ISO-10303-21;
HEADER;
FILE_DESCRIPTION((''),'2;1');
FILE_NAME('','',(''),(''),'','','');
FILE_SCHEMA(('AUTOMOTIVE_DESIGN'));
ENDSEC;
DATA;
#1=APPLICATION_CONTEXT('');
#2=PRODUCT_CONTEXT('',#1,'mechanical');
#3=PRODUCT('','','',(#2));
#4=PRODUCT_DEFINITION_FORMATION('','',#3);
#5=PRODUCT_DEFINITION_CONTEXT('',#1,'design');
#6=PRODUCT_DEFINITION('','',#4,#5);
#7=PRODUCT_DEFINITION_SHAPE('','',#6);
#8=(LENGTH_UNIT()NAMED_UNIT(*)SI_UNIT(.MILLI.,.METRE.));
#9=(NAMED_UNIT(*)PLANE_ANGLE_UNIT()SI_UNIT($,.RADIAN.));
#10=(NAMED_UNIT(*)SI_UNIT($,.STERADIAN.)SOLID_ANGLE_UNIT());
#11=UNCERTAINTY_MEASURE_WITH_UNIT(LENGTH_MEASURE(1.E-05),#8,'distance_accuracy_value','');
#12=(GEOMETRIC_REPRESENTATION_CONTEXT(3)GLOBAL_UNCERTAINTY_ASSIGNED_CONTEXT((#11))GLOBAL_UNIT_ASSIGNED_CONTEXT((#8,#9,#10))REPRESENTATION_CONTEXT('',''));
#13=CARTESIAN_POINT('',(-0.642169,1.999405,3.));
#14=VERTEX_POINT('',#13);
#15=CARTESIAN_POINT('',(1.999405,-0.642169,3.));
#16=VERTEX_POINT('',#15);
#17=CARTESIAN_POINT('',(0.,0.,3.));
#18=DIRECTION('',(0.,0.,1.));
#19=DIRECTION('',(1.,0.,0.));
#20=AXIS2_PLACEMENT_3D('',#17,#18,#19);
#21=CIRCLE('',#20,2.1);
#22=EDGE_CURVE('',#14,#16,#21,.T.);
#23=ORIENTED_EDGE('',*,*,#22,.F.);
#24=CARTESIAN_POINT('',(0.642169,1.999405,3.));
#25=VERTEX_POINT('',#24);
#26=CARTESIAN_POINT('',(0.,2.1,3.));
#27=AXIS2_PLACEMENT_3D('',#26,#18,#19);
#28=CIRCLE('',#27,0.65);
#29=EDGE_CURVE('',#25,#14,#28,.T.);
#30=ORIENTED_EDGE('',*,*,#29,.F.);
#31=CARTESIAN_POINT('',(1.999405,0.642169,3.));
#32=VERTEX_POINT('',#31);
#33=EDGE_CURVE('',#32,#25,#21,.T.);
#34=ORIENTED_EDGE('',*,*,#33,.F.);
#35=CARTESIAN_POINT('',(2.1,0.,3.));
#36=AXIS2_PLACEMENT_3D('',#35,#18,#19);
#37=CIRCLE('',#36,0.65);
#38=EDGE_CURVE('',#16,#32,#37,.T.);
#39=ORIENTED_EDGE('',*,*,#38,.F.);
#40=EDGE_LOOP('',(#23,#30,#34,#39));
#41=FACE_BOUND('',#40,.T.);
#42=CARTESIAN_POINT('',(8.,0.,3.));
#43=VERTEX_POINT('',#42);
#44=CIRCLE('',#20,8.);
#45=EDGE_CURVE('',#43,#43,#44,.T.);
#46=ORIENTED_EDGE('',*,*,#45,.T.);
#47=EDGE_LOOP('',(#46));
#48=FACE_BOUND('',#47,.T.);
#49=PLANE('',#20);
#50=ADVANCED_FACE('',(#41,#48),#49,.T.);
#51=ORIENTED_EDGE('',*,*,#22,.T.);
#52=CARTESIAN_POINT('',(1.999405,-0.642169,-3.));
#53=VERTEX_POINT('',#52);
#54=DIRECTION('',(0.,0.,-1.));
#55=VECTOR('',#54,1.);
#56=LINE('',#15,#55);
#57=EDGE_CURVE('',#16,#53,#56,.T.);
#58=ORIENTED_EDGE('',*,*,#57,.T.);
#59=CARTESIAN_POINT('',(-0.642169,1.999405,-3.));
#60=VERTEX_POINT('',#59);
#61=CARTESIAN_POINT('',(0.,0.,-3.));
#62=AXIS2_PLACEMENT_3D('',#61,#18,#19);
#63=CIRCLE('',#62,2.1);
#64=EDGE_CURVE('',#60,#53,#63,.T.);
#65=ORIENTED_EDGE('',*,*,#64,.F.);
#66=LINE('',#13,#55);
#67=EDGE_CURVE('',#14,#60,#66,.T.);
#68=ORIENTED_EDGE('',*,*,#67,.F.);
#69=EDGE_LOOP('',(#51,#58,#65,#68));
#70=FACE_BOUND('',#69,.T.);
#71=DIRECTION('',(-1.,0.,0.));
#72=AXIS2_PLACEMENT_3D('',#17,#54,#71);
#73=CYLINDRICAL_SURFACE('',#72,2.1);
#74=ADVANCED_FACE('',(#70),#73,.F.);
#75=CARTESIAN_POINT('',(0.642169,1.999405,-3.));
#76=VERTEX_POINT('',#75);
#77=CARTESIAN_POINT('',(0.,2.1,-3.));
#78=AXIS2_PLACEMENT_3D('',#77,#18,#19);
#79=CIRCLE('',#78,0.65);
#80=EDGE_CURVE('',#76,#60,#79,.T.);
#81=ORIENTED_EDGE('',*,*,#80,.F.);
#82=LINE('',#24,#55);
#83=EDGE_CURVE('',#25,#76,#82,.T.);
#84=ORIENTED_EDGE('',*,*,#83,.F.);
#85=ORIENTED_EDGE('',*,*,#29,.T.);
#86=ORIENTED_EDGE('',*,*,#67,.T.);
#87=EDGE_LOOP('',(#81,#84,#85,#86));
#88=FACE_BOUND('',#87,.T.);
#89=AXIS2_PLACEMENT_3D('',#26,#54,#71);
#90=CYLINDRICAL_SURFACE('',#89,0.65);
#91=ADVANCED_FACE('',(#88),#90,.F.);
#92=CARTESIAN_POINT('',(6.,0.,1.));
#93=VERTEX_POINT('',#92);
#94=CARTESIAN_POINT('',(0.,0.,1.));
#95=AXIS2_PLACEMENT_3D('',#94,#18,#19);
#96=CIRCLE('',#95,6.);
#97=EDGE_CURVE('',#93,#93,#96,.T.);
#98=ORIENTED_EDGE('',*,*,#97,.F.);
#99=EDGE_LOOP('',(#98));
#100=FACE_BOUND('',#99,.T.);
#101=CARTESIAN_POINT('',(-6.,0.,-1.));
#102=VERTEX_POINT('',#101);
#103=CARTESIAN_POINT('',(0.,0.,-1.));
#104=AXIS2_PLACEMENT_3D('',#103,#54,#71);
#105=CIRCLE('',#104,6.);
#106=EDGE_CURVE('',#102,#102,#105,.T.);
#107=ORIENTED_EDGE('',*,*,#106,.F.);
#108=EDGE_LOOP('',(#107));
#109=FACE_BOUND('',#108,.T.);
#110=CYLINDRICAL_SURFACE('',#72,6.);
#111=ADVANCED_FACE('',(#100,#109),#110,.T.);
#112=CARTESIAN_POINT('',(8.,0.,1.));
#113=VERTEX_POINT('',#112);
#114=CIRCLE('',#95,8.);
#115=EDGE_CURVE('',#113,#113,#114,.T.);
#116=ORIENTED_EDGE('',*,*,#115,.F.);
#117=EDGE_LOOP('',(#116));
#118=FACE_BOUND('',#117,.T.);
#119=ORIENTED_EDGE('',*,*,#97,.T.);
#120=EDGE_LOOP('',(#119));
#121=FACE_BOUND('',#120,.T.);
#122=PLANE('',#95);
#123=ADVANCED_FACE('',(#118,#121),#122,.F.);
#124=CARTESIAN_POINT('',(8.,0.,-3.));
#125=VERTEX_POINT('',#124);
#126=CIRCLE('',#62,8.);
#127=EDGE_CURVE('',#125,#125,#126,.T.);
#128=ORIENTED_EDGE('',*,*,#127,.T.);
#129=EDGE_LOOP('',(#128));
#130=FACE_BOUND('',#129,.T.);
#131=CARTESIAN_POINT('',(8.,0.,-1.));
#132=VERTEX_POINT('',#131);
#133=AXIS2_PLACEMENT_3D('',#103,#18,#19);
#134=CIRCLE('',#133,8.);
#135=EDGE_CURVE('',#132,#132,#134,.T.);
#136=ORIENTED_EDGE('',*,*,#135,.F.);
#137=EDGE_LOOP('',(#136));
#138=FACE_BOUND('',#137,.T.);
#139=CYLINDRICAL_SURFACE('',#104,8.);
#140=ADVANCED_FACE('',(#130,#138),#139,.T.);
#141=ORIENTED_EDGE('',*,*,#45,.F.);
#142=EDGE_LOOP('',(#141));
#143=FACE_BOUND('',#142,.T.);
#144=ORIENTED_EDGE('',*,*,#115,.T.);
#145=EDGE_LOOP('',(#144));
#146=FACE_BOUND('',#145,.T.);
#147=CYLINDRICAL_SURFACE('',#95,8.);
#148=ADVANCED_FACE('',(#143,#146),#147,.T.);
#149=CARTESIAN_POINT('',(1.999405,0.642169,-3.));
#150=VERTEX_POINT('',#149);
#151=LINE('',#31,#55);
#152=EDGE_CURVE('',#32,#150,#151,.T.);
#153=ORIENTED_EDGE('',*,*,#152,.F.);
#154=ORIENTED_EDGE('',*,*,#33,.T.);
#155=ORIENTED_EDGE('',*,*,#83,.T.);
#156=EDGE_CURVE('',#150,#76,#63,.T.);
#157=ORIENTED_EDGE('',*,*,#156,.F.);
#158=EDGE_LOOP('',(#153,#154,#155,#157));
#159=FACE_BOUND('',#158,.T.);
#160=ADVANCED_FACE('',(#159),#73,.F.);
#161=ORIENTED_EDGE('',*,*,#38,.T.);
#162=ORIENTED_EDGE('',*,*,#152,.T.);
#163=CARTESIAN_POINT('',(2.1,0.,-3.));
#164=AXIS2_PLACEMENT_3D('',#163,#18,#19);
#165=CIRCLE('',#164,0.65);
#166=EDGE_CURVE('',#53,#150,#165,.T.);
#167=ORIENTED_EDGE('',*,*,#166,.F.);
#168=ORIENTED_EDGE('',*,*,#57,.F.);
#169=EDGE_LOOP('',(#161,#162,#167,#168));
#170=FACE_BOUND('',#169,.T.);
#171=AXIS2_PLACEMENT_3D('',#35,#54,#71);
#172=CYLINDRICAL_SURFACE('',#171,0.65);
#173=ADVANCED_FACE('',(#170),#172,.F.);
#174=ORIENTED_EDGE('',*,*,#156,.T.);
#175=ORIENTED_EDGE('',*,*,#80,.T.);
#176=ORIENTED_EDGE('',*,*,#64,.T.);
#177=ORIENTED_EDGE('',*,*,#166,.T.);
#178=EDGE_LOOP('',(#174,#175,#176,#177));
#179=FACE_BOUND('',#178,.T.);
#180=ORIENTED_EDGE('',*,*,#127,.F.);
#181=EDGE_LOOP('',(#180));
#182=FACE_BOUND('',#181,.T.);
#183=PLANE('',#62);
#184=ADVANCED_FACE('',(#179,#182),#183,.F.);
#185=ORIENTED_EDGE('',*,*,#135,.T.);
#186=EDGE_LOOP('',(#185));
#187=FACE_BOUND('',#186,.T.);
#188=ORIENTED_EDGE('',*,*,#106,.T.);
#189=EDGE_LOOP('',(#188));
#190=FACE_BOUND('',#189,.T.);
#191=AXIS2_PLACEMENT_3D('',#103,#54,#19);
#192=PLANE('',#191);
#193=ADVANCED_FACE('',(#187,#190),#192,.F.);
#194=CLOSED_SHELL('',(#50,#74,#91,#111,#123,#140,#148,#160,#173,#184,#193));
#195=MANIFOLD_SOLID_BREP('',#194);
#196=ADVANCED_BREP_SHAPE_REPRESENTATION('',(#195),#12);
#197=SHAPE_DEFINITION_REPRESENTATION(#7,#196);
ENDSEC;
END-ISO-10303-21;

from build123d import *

# Parameters (mm, degrees)
ESQUISSE1_R        = 6
BOSS_EXTRU_1_DEPTH = 3
ESQUISSE2_R        = 8
ESQUISSE2_R_2      = 6
BOSS_EXTRU_2_DEPTH = 2


with BuildPart() as part:
    # Esquisse1 → Boss.-Extru.1 (new, symmetric)
    with BuildSketch(Plane.XY):
        Circle(ESQUISSE1_R)
        with BuildLine():
            ThreePointArc((-0.642168668, 1.999404762), (-1.48492424, -1.48492424), (1.999404762, -0.642168668))
            ThreePointArc((1.999404762, -0.642168668), (2.75, 0), (1.999404762, 0.642168668))
            ThreePointArc((1.999404762, 0.642168668), (1.48492424, 1.48492424), (0.642168668, 1.999404762))
            ThreePointArc((0.642168668, 1.999404762), (0, 2.75), (-0.642168668, 1.999404762))
        make_face(mode=Mode.SUBTRACT)
    extrude(amount=BOSS_EXTRU_1_DEPTH, both=True)

    # Esquisse2 → Boss.-Extru.2 (add)
    with BuildSketch(Plane.XY.offset(3)):
        Circle(ESQUISSE2_R)
        Circle(ESQUISSE2_R_2, mode=Mode.SUBTRACT)
    boss_extru_2 = extrude(amount=-BOSS_EXTRU_2_DEPTH)

    # Symétrie1: Boss.-Extru.2 across plane
    add(boss_extru_2.mirror(Plane.XY))


solid = part.part
